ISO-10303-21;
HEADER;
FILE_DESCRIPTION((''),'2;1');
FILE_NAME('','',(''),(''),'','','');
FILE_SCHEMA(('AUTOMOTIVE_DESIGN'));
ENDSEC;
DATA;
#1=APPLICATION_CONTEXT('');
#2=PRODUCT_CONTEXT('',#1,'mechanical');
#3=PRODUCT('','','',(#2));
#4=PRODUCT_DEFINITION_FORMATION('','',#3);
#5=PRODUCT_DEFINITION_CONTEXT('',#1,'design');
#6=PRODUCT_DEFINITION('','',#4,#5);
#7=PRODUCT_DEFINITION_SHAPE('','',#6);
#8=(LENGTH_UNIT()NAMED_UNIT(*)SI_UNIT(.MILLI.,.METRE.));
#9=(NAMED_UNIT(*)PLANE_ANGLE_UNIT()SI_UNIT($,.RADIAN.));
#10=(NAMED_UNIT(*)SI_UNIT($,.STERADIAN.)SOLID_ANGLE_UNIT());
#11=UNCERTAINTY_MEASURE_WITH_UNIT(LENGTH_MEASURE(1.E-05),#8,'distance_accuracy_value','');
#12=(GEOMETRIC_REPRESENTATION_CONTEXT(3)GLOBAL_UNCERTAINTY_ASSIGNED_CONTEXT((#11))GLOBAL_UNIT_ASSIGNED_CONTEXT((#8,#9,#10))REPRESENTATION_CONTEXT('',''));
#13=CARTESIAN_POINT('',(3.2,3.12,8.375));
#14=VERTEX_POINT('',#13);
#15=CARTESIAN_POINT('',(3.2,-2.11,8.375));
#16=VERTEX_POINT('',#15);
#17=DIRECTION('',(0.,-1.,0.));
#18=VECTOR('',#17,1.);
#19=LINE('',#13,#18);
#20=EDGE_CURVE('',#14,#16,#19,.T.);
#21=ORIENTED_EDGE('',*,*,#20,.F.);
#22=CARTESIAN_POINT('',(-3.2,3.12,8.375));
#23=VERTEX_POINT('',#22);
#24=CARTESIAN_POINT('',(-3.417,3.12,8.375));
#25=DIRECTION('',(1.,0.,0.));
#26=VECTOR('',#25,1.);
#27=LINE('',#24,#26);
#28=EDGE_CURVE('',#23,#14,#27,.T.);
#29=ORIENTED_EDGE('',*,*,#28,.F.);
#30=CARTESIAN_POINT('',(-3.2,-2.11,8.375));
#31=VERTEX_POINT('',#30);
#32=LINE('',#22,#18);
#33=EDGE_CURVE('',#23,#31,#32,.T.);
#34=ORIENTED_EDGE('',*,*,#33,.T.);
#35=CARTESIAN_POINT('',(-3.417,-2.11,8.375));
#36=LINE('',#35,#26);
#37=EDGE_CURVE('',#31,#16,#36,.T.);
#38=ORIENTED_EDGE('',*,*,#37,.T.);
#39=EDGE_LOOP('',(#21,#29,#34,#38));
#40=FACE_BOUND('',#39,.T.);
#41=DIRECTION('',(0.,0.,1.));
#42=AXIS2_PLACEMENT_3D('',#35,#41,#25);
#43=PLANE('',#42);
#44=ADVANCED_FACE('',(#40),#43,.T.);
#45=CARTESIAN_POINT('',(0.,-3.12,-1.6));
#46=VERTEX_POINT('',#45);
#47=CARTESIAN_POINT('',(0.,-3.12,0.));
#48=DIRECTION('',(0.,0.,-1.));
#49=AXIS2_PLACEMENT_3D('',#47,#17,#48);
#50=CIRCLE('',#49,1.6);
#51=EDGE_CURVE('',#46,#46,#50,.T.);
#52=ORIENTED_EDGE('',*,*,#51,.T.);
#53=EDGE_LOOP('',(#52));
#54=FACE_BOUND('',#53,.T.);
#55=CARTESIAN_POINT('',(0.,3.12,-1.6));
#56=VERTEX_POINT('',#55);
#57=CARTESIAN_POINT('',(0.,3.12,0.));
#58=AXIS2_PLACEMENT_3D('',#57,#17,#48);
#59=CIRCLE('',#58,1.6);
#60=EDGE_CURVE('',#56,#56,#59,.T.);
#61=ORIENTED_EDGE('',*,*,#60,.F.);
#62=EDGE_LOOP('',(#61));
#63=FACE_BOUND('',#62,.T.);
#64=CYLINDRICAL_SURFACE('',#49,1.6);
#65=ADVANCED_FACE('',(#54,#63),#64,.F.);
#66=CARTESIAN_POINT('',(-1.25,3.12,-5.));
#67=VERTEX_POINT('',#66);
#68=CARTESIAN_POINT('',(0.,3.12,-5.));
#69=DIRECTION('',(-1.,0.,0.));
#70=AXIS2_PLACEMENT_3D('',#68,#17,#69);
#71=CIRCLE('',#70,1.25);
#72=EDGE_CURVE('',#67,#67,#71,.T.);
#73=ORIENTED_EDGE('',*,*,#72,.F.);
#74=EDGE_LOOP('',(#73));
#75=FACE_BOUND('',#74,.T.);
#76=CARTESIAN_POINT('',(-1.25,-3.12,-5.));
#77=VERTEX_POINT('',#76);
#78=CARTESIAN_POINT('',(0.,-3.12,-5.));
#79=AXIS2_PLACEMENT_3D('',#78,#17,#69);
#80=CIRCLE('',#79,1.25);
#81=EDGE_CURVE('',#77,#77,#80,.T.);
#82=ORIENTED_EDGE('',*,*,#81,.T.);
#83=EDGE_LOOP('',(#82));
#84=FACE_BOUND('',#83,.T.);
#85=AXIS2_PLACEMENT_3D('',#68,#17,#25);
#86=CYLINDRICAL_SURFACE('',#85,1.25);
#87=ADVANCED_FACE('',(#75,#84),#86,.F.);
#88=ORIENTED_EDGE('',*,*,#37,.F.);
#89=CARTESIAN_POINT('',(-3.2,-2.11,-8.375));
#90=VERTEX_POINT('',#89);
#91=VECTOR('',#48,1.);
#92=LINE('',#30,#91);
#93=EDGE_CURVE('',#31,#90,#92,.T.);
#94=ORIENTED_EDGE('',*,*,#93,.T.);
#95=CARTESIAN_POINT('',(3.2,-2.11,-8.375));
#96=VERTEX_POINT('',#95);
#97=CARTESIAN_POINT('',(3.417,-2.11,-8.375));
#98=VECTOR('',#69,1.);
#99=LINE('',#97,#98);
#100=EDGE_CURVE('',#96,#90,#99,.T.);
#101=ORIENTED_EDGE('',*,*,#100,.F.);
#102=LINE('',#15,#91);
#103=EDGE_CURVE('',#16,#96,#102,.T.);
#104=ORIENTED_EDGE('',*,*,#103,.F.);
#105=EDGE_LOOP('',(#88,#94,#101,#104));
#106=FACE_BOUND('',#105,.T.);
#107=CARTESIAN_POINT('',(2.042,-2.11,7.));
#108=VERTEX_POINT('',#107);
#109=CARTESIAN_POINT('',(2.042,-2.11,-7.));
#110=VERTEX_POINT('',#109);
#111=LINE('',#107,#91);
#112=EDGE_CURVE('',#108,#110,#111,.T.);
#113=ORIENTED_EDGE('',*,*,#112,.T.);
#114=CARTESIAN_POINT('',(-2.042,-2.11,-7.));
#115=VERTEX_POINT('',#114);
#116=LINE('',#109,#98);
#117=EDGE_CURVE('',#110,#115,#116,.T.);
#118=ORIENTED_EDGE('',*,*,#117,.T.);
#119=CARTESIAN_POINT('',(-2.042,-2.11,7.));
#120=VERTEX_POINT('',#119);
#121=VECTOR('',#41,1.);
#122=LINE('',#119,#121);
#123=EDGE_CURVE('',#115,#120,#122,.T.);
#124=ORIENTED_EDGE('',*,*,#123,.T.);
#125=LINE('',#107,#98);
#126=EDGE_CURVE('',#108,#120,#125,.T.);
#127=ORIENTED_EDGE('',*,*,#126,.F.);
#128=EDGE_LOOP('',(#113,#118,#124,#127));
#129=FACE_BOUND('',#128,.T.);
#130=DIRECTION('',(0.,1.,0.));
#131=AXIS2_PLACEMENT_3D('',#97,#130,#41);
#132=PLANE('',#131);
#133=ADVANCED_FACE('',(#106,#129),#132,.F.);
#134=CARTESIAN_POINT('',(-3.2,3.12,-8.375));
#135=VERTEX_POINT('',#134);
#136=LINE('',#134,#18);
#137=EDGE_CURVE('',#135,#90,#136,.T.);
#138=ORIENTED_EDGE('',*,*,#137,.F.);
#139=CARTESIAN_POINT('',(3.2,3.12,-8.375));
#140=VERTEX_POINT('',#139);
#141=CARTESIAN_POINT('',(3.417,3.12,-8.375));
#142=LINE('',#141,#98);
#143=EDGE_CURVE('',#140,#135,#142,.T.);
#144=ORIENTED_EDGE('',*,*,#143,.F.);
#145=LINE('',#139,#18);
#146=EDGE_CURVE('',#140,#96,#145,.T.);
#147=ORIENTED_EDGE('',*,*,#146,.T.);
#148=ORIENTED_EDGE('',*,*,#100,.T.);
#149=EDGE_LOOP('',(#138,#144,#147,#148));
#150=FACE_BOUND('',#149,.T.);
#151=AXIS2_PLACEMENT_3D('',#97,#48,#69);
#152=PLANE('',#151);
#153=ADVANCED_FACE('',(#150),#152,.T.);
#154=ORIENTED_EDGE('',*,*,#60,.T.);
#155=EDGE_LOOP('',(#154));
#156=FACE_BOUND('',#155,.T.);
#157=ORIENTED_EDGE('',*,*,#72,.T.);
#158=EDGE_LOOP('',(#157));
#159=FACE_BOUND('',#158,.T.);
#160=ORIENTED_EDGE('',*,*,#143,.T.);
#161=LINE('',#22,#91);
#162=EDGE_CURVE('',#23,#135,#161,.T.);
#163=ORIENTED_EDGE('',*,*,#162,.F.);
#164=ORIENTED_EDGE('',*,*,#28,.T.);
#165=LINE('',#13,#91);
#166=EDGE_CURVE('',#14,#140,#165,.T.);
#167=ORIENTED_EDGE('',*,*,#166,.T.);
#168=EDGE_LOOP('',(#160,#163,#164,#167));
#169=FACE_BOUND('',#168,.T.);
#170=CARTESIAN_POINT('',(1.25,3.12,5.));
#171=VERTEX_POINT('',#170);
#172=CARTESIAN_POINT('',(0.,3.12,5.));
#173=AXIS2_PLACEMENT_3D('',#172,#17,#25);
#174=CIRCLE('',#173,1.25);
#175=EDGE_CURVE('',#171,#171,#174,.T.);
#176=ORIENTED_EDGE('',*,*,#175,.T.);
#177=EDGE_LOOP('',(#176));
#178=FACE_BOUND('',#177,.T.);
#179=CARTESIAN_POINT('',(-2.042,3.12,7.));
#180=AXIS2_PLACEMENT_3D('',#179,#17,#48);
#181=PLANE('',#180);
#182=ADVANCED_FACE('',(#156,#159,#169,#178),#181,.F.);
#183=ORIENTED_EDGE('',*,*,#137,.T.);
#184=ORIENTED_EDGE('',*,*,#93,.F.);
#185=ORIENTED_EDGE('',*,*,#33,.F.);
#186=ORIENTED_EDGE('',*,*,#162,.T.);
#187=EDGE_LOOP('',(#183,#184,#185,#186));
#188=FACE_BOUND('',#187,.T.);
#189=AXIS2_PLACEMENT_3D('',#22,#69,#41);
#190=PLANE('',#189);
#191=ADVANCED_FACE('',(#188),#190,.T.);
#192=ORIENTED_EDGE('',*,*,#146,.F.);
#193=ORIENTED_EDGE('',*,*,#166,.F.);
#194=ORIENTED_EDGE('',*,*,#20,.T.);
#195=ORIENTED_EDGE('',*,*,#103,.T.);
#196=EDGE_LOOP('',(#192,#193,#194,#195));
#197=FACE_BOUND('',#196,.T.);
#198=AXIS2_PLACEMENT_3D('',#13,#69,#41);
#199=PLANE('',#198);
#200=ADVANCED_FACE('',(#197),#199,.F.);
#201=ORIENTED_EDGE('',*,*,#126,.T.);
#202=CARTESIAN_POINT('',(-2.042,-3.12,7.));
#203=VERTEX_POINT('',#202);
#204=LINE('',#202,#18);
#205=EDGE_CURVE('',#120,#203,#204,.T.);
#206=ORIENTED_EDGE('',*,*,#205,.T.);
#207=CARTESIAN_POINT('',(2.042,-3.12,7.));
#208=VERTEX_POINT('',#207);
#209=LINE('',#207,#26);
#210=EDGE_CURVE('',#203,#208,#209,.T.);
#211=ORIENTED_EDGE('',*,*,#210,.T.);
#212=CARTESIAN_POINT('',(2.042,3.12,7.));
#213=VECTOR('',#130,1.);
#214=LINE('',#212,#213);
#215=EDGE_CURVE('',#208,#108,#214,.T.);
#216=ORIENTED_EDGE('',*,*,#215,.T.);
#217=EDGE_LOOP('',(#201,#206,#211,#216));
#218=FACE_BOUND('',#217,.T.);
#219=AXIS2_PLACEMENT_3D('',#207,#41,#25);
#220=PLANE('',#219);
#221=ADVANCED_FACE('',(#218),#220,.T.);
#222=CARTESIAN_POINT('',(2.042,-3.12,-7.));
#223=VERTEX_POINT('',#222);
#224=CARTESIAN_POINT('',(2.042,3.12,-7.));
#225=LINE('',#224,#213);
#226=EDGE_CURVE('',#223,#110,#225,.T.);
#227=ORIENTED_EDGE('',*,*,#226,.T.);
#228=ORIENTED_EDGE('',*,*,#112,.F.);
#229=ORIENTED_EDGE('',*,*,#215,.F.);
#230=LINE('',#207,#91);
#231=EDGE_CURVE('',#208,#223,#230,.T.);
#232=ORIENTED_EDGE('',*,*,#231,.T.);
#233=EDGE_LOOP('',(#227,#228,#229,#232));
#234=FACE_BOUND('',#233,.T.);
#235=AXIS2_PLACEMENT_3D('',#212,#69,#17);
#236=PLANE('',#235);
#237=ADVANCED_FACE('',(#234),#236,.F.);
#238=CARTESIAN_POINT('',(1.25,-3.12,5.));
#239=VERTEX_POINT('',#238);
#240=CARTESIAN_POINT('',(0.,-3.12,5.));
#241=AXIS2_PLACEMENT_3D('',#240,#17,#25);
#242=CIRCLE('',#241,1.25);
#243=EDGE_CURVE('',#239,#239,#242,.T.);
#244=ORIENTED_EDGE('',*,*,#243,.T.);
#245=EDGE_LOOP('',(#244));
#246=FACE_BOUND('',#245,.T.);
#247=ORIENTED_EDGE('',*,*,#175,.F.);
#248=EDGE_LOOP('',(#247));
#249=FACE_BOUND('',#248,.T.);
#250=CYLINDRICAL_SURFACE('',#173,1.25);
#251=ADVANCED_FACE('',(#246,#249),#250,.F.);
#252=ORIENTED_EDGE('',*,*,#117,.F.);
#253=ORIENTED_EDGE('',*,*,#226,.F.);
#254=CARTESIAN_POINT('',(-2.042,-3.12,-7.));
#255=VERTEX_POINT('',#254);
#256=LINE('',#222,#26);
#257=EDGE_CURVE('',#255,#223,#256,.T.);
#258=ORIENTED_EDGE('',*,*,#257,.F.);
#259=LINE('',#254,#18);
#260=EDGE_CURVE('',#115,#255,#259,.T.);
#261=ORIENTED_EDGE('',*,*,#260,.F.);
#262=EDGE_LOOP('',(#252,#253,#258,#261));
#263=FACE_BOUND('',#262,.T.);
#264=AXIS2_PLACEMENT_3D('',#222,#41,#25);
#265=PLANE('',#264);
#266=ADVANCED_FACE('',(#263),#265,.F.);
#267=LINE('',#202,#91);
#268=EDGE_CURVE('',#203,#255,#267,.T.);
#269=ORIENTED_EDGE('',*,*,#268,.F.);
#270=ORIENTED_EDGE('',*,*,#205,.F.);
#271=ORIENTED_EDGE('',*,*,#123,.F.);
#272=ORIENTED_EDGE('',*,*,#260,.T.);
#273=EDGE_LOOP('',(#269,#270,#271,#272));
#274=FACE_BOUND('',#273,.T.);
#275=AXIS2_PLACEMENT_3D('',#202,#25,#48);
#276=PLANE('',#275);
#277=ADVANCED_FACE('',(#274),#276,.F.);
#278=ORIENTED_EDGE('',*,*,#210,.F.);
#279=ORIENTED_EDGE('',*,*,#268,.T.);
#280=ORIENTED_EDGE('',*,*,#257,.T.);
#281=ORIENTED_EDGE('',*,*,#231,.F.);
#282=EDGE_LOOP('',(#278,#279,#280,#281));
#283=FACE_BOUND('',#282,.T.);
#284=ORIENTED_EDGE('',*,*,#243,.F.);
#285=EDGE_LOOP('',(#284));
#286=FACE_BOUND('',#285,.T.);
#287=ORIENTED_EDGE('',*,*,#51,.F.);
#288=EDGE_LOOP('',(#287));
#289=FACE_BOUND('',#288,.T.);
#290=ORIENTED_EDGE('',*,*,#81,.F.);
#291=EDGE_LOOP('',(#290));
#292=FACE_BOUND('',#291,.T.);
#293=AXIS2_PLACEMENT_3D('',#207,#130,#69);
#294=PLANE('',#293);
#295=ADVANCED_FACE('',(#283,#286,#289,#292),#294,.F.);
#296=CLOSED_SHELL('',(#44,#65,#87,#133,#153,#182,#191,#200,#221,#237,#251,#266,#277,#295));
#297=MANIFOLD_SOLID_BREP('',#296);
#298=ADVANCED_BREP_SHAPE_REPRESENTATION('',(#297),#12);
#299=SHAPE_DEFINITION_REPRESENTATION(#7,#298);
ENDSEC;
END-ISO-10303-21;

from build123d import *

# Parameters (mm, degrees)
SKETCH1_W             = 4.084
SKETCH1_H             = 6.24
EXTRUDE1_DEPTH        = 7
SKETCH6_W             = 6.834
SKETCH6_H             = 16.75
EXTRUDE2_DEPTH        = 5.23
F_4_CLEARANCE_HOLE1_D = 3.2
SKETCH3_R             = 1.25
CUT_EXTRUDE1_DEPTH    = 7.24
SKETCH7_W             = 0.217
SKETCH7_H             = 16.75
EXTRUDE3_DEPTH        = 6.23


with BuildPart() as part:
    # Sketch1 → Extrude1 (new body, symmetric)
    with BuildSketch(Plane.XY):
        Rectangle(SKETCH1_W, SKETCH1_H)
    extrude(amount=EXTRUDE1_DEPTH, both=True)

    # Sketch6 → Extrude2 (add)
    with BuildSketch(Plane(origin=(0, 3.12, 0), x_dir=(1, 0, 0), z_dir=(0, 1, 0))):
        Rectangle(SKETCH6_W, SKETCH6_H)
    extrude(amount=-EXTRUDE2_DEPTH)

    # 4 Clearance Hole1 (through all)
    with Locations(Plane(origin=(0.396685659, -3.12, 2.776888518), x_dir=(1, 0, 0), z_dir=(0, -1, 0))):
        with Locations((-0.396685659, -2.776888518)):
            Hole(F_4_CLEARANCE_HOLE1_D / 2)

    # Sketch3 → Cut-Extrude1 (cut, through all)
    with BuildSketch(Plane(origin=(0, -3.12, 0), x_dir=(-1, 0, 0), z_dir=(0, -1, 0))):
        with Locations(Location((0, -5, 0), (0, 0, 180))):  # turned: the seam where the file's is
            Circle(SKETCH3_R)
        with Locations((0, 5)):
            Circle(SKETCH3_R)
    extrude(amount=-CUT_EXTRUDE1_DEPTH, mode=Mode.SUBTRACT)

    # Sketch7 → Extrude3 (cut, through all)
    with BuildSketch(Plane.XZ.offset(2.11)):
        with Locations((3.3085, 0)):
            Rectangle(SKETCH7_W, SKETCH7_H)
    extrude3 = extrude(amount=-EXTRUDE3_DEPTH, mode=Mode.SUBTRACT)

    # Mirror1: Extrude3 across plane
    add(extrude3.mirror(Plane(origin=(0, 0, 0), x_dir=(0, 0, 1), z_dir=(1, 0, 0))), mode=Mode.SUBTRACT)


solid = part.part
